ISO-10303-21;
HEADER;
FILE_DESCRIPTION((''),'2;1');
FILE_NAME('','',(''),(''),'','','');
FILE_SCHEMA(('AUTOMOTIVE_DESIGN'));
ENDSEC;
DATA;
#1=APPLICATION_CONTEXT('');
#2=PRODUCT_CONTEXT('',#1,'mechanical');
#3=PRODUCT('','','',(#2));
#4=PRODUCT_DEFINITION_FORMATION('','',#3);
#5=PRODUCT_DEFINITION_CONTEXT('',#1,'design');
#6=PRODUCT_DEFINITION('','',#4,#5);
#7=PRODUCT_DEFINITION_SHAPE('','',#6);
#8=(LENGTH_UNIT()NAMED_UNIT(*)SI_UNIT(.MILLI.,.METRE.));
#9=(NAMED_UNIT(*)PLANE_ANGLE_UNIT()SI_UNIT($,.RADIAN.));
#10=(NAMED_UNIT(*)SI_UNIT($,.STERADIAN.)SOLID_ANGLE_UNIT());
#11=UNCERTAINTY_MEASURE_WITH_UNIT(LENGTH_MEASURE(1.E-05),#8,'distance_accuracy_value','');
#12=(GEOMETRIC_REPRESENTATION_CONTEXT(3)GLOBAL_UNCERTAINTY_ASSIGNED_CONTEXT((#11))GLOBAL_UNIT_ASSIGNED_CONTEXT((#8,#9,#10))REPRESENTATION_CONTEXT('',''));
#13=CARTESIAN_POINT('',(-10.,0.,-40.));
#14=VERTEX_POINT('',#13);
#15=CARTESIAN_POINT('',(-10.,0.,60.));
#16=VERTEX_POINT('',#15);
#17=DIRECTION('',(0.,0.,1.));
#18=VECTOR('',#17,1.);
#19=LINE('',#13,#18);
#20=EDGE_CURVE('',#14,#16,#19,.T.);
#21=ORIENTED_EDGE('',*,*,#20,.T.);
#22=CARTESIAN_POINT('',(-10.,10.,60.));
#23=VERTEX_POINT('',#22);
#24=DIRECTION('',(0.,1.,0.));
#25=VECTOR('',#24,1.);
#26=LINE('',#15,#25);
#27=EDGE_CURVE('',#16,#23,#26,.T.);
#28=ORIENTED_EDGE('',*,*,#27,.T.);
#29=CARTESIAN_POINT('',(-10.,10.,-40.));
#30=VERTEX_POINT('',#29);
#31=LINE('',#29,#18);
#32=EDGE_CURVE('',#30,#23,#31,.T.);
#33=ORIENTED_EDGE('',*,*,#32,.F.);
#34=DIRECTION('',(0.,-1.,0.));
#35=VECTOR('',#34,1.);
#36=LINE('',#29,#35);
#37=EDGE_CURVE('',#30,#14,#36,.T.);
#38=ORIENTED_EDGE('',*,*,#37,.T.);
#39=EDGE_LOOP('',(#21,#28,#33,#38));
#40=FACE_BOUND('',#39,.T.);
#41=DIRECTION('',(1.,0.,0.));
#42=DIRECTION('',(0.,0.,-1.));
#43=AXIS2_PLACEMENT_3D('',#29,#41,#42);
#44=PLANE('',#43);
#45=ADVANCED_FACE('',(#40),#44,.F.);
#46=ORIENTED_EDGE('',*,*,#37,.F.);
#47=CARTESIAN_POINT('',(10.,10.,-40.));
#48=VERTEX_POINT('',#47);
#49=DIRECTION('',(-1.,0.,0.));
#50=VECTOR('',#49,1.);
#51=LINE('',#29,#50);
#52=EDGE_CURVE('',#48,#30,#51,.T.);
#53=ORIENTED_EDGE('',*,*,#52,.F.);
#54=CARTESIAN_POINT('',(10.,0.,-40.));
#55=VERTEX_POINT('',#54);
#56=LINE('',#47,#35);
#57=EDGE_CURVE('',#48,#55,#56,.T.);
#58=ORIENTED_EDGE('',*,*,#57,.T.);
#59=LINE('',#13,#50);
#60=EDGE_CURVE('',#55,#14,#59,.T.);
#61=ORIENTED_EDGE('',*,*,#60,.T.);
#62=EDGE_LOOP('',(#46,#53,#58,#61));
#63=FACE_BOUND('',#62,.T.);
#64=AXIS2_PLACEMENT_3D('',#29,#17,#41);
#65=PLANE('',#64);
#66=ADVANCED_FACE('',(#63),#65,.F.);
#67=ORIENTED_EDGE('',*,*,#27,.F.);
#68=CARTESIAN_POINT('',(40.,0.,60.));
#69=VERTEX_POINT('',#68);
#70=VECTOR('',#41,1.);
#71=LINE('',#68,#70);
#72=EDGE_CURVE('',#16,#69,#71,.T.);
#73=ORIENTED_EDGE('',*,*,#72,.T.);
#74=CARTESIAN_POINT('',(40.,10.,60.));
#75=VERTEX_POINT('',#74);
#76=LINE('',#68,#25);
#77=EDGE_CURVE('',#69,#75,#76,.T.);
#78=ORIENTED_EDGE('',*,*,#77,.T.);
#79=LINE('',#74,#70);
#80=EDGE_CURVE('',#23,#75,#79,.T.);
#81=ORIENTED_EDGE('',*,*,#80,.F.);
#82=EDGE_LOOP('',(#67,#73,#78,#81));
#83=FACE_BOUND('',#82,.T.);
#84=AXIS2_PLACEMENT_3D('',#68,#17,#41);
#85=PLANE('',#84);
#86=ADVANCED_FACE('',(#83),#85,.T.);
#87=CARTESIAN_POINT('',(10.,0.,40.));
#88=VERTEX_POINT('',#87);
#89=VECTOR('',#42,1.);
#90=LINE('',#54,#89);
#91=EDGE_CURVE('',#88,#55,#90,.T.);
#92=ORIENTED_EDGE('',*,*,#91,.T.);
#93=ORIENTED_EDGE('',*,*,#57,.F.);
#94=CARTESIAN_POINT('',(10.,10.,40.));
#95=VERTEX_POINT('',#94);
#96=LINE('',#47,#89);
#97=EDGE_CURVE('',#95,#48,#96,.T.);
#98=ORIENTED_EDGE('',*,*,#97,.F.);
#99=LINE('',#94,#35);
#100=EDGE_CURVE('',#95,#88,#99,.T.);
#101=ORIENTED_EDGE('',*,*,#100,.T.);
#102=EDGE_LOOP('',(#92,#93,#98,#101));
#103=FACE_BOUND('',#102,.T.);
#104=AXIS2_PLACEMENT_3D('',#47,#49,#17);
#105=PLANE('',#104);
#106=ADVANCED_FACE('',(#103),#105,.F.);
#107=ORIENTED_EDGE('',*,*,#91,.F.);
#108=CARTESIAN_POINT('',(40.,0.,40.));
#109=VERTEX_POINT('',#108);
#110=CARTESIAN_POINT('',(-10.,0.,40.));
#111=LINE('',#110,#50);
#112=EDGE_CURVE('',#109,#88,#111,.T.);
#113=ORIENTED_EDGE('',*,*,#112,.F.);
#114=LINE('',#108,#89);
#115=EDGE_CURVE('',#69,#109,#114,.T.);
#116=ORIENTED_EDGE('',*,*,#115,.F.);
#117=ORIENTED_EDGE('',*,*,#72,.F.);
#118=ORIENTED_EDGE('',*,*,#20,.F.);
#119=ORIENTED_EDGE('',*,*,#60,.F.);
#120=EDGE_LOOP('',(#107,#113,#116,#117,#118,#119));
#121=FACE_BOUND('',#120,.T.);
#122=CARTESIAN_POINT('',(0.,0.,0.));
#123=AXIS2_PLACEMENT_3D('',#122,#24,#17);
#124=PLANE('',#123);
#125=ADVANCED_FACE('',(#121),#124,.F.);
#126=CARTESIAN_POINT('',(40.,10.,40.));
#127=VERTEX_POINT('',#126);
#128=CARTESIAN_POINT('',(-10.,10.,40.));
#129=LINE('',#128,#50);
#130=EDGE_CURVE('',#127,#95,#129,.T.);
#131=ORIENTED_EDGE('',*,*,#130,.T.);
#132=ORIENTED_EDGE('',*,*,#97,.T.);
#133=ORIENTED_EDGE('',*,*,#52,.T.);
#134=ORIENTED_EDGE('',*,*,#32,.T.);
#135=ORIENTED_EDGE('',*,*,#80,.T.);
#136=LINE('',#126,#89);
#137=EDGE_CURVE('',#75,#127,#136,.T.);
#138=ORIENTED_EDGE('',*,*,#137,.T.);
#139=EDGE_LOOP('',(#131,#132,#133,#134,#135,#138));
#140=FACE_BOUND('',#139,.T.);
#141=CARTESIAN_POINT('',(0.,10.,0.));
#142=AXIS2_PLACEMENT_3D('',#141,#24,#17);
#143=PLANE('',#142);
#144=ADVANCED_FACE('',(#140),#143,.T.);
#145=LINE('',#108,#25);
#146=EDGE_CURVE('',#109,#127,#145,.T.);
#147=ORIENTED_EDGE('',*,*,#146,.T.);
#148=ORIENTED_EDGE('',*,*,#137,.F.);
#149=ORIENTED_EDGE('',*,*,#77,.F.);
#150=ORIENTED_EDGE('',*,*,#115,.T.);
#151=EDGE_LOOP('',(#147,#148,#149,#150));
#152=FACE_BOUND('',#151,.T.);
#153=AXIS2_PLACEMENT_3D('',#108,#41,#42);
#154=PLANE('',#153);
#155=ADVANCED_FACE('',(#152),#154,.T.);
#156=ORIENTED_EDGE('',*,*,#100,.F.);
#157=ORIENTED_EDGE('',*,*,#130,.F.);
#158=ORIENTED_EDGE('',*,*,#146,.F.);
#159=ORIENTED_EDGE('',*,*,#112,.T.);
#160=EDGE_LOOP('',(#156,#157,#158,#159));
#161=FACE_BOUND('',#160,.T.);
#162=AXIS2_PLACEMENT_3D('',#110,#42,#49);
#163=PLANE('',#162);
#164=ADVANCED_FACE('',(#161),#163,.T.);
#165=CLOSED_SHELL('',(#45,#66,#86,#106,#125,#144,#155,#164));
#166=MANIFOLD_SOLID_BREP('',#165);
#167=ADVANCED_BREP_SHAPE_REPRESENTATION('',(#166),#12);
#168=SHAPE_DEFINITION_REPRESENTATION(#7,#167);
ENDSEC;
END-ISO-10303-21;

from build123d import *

# Parameters (mm, degrees)
SKETCH1_W           = 20
SKETCH1_H           = 80
BOSS_EXTRUDE1_DEPTH = 10
SKETCH3_W           = 50
SKETCH3_H           = 20
BOSS_EXTRUDE2_DEPTH = 10


with BuildPart() as part:
    # Sketch1 → Boss-Extrude1 (new body)
    with BuildSketch(Plane(origin=(0, 0, 0), x_dir=(1, 0, 0), z_dir=(0, 1, 0))):
        Rectangle(SKETCH1_W, SKETCH1_H)
    extrude(amount=BOSS_EXTRUDE1_DEPTH)

    # Sketch3 → Boss-Extrude2 (add)
    with BuildSketch(Plane(origin=(0, 10, 0), x_dir=(1, 0, 0), z_dir=(0, 1, 0))):
        with Locations((15, -50)):
            Rectangle(SKETCH3_W, SKETCH3_H)
    extrude(amount=-BOSS_EXTRUDE2_DEPTH)


solid = part.part
